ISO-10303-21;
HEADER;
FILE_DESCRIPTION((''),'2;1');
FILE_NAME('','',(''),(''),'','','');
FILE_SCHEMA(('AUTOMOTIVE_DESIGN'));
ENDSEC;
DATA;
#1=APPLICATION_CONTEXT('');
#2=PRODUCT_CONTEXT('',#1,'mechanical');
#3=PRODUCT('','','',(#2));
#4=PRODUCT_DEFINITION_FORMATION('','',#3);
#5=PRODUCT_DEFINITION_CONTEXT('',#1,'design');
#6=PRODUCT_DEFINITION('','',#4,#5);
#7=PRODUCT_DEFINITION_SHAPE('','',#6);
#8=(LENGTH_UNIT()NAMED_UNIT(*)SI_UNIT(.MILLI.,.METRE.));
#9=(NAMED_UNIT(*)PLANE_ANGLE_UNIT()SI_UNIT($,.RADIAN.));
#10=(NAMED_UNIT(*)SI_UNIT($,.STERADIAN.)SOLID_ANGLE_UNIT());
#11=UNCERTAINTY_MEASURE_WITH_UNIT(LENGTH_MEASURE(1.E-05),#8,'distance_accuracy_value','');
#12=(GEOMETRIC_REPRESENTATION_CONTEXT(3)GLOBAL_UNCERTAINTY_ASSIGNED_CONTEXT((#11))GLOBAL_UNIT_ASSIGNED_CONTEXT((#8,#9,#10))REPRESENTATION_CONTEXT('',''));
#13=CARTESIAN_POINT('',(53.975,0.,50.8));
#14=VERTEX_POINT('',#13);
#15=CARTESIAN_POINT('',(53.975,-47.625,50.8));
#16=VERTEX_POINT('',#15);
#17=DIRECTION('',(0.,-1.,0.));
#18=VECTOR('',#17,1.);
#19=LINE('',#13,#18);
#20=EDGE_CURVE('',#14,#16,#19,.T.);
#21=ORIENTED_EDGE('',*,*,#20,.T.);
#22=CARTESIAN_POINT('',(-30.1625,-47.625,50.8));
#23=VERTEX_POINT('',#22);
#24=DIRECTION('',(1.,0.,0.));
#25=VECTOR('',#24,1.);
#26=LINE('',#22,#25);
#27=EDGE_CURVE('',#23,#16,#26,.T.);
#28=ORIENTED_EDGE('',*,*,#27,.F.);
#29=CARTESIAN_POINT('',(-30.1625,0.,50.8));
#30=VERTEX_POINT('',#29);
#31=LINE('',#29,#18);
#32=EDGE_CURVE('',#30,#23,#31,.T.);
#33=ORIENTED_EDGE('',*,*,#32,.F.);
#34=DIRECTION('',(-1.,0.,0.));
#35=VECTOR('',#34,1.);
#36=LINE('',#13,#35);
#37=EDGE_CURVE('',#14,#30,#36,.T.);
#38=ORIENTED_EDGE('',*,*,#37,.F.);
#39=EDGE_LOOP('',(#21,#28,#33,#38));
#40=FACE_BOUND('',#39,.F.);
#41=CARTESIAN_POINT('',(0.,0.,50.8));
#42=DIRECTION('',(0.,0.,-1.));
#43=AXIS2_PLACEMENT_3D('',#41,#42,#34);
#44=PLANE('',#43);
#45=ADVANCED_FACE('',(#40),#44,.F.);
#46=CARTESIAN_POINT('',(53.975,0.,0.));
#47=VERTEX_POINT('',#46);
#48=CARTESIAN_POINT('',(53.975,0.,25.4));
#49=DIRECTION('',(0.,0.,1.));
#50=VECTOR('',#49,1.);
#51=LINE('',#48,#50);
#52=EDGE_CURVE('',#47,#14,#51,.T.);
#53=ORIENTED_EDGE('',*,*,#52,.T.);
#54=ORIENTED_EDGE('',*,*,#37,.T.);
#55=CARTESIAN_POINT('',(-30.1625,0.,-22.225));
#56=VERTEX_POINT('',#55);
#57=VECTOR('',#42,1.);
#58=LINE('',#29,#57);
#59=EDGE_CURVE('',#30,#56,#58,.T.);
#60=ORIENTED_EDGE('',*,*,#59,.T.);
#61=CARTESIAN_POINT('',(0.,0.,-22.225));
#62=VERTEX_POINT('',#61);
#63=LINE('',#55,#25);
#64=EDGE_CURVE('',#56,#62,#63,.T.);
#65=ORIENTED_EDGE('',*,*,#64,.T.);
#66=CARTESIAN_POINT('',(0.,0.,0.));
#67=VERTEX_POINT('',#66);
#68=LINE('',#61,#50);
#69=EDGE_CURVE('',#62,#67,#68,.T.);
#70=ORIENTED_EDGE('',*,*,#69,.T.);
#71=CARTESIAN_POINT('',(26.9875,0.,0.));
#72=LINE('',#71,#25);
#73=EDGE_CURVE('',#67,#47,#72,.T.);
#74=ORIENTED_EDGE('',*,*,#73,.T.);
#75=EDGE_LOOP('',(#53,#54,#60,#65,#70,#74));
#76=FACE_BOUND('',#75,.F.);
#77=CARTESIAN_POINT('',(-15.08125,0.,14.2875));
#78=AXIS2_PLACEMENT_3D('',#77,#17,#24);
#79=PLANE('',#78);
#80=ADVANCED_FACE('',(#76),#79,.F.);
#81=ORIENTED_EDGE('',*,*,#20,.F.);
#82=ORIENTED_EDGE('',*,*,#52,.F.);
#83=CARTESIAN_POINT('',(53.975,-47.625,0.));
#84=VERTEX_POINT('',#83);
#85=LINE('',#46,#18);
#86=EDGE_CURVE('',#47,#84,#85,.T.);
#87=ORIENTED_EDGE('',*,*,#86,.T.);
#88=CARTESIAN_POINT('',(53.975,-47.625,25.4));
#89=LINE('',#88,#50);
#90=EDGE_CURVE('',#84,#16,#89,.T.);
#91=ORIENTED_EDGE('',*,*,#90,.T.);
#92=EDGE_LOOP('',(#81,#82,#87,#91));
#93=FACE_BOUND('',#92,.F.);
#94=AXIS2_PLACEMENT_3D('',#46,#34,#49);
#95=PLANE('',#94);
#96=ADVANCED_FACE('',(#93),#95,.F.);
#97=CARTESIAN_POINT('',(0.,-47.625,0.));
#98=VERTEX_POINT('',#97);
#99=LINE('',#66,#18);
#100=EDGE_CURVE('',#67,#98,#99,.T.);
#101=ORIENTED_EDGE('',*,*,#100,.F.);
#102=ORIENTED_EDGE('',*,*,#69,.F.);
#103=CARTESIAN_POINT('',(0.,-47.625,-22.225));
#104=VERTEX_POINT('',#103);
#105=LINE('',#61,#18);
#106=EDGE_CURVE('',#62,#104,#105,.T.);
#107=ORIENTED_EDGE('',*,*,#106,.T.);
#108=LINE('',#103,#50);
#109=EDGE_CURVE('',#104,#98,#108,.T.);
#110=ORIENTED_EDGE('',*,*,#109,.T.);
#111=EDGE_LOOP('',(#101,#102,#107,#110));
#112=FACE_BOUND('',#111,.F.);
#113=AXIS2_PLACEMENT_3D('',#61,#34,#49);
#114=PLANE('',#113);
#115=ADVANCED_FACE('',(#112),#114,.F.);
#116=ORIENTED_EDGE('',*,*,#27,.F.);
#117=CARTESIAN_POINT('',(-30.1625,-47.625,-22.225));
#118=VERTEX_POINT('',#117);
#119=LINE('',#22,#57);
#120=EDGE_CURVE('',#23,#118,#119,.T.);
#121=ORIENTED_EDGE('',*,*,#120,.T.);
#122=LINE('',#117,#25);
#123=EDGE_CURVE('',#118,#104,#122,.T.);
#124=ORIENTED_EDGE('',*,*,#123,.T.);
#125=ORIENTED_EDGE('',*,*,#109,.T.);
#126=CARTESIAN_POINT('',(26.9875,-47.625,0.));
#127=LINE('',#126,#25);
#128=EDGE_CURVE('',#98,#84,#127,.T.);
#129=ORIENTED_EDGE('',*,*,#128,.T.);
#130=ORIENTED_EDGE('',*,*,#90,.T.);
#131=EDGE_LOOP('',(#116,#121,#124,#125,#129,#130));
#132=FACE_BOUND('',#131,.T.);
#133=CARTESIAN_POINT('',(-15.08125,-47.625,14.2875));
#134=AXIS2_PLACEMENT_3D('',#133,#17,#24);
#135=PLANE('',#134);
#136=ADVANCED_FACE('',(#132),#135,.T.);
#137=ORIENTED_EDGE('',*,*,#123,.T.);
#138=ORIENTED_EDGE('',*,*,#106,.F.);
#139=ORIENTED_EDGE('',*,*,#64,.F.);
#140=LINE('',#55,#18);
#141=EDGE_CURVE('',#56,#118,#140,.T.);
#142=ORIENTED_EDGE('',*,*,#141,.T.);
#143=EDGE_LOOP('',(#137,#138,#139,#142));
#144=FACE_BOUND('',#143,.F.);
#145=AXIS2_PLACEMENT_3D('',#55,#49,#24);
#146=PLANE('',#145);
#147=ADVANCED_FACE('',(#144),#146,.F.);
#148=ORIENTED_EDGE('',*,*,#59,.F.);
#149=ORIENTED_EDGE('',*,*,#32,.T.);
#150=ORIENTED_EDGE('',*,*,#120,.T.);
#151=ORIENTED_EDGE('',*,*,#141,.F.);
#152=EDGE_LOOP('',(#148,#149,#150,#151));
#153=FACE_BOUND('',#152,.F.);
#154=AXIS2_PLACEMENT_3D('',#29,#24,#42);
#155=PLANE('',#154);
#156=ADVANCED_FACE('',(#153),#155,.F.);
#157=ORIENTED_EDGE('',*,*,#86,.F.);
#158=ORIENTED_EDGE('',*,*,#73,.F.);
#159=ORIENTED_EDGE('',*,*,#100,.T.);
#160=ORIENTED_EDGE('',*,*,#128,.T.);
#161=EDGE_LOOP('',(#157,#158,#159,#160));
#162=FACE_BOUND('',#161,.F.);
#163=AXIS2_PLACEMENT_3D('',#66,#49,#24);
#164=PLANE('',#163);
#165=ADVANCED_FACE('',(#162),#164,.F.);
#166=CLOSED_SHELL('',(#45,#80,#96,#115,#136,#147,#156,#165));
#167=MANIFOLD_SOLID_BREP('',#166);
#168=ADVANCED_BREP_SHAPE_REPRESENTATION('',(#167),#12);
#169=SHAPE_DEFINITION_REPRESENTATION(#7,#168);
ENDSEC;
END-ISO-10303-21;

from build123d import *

# Parameters (mm, degrees)
F0_W     = 53.975
F0_H     = 50.8
F1_DEPTH = 47.625
F2_DEPTH = 47.625


with BuildPart() as f1:
    # F0 (on Front) → F1 (new body)
    with BuildSketch(Plane.XZ):
        with Locations((26.9875, 25.4)):
            Rectangle(F0_W, F0_H)
    extrude(amount=F1_DEPTH)

    # F0 (on Front) → F2 (join, through all)
    with BuildSketch(Plane.XZ):
        Polygon((0, 50.8), (-30.1625, 50.8), (-30.1625, -22.225), (0, -22.225), (0, 0), align=None)
    extrude(amount=F2_DEPTH)


solid = f1.part
